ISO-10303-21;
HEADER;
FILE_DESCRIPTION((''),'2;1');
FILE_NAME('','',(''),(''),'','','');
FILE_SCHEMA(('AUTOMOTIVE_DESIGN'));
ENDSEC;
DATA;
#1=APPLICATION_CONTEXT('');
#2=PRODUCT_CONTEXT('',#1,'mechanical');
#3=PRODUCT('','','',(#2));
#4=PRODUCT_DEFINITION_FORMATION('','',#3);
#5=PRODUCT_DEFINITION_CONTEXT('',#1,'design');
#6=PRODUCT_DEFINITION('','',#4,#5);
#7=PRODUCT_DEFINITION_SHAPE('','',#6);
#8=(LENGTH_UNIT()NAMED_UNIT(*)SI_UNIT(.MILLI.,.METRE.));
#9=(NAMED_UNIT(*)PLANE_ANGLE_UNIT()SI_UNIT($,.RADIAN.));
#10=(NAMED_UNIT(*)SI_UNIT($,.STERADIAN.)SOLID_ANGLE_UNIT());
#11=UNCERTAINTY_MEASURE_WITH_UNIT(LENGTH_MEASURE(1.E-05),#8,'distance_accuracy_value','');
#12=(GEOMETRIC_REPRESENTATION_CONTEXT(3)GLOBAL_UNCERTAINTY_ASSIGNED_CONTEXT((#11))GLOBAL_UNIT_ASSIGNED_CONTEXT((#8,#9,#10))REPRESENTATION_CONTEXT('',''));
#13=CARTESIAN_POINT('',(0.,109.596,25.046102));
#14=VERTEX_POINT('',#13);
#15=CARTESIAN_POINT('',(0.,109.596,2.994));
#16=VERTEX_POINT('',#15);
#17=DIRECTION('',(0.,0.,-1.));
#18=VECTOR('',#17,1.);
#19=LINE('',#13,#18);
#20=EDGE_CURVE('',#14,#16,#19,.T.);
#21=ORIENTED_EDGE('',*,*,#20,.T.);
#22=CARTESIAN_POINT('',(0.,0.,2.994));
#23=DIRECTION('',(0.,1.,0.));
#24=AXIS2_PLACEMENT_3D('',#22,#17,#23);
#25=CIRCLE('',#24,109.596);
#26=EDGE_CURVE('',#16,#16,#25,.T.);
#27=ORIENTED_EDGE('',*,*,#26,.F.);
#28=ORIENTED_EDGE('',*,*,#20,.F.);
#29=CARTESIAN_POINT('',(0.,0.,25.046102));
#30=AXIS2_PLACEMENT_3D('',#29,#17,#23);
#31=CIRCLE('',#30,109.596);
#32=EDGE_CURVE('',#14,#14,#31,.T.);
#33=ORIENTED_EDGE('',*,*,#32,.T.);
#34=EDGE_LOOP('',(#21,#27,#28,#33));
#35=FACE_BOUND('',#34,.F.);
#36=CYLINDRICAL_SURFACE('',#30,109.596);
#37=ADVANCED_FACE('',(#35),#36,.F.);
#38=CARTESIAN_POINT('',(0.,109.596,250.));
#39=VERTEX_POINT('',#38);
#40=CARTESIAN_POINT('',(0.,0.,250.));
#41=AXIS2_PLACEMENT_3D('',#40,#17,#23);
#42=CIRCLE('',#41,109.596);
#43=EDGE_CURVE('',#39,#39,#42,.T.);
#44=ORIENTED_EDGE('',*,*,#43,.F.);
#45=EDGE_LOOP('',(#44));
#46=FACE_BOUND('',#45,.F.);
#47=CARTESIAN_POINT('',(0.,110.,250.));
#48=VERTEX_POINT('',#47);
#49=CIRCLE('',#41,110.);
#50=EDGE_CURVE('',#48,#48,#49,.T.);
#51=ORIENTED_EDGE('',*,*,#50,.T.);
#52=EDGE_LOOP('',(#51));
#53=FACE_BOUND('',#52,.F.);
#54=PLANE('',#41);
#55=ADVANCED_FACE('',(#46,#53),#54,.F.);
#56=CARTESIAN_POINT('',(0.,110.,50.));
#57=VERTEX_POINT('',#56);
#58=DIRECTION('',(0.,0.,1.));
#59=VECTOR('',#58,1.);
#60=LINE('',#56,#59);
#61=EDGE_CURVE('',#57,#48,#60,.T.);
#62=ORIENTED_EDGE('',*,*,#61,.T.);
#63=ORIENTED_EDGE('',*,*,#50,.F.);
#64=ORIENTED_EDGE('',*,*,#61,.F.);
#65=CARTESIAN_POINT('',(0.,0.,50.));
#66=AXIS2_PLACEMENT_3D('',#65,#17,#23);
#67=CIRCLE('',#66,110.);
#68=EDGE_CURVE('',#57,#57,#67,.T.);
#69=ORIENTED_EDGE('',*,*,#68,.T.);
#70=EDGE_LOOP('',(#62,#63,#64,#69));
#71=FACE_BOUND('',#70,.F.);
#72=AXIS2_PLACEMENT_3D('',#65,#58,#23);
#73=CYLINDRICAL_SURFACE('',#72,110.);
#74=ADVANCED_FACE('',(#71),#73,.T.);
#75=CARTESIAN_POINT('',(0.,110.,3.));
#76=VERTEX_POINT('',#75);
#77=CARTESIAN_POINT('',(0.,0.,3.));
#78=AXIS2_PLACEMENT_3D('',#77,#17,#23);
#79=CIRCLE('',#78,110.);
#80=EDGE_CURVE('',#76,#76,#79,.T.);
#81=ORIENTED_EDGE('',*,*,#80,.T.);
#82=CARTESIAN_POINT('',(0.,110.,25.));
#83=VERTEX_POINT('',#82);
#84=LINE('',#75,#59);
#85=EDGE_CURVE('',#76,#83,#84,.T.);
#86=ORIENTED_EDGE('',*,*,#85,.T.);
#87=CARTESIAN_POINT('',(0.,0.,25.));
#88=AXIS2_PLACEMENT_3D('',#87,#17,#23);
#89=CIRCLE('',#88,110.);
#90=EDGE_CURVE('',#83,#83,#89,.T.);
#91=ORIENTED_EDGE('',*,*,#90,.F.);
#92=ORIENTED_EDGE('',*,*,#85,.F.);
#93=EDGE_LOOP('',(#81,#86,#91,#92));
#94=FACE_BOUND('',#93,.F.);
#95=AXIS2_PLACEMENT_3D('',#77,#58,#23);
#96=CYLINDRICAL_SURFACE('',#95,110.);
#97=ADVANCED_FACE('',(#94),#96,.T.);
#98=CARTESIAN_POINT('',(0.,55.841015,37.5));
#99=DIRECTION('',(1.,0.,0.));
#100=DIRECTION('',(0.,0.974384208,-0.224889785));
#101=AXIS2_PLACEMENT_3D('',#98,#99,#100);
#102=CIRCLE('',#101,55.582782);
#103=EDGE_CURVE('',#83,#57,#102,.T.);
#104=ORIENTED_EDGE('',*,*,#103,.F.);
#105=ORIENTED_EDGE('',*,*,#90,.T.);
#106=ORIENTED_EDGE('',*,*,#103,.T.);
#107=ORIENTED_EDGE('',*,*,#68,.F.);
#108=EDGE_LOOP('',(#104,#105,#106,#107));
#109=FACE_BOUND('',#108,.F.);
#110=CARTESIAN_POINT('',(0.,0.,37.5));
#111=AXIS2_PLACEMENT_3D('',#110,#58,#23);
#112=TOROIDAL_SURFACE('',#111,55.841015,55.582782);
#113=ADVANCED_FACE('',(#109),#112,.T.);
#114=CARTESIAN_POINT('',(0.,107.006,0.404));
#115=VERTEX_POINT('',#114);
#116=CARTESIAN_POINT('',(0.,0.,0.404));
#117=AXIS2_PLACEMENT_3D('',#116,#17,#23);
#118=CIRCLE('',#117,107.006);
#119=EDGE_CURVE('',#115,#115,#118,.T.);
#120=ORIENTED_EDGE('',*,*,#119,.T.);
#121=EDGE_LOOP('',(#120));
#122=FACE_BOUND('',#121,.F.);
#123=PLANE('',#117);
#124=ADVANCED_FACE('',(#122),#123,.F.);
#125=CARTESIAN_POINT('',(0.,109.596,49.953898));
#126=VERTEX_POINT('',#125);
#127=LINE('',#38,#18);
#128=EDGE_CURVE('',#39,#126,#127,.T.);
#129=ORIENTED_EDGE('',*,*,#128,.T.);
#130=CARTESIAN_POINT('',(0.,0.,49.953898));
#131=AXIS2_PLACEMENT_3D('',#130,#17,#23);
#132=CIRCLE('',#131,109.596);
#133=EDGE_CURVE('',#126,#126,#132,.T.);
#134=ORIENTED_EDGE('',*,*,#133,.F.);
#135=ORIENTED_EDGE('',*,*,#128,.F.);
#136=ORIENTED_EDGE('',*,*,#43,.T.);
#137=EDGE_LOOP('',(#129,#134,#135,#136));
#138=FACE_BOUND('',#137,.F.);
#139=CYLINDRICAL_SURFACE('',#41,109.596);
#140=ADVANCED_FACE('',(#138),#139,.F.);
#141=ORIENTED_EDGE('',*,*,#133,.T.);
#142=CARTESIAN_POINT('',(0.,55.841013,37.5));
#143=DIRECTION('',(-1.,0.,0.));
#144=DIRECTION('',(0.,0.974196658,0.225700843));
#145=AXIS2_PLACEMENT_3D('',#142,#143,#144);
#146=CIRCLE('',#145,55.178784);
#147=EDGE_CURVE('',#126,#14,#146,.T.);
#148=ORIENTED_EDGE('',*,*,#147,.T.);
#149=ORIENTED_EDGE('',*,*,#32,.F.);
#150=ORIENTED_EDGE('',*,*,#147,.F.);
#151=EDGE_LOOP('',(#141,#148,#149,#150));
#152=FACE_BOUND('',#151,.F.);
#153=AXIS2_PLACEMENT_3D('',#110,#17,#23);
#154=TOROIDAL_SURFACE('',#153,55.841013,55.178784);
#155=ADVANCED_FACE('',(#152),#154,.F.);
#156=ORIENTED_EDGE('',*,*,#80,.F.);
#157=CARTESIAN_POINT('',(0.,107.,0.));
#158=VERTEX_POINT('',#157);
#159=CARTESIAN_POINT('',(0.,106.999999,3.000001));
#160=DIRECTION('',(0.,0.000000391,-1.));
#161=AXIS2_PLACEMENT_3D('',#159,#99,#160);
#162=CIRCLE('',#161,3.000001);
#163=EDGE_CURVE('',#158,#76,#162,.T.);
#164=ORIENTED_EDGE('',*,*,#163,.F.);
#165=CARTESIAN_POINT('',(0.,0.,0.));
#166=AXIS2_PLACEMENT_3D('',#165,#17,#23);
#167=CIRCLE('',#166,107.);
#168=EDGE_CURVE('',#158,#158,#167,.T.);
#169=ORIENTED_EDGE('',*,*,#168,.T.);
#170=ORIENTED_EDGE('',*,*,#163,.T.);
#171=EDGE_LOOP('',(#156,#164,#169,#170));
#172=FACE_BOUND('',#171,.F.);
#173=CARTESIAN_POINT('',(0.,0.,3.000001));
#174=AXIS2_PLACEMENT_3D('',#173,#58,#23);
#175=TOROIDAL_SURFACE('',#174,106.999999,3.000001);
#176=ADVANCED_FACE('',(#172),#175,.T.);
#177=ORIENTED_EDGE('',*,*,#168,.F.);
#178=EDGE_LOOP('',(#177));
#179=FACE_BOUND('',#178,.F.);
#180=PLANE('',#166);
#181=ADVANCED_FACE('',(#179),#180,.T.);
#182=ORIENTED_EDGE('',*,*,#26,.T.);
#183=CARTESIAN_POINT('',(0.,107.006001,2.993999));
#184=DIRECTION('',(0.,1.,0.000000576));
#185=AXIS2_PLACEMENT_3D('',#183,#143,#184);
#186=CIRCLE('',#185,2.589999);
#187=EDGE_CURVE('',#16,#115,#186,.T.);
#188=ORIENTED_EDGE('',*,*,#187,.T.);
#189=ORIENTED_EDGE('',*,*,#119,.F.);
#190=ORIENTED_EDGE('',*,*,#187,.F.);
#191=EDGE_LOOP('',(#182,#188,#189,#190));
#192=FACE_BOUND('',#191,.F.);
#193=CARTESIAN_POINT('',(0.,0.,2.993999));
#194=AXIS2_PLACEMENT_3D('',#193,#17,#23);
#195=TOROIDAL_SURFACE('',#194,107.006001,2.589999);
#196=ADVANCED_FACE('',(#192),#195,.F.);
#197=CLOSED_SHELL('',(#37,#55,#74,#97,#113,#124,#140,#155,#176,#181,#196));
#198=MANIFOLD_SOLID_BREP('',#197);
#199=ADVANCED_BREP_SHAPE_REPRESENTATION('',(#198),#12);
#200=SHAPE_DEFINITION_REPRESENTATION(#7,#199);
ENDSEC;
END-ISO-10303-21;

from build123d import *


with BuildPart() as f1:
    # F0 (on Right) → F1 (revolve)
    with BuildSketch(Plane.YZ):
        with BuildLine():
            Line((0, 0.404), (0, 0))
            Line((0, 0), (107, 0))
            ThreePointArc((107, 0), (109.12132, 0.87868), (110, 3))
            Line((110, 3), (110, 25))
            ThreePointArc((110, 25), (111.423797, 37.5), (110, 50))
            Line((110, 50), (110, 250))
            Line((110, 250), (109.596, 250))
            Line((109.596, 250), (109.596, 49.953898))
            ThreePointArc((109.596, 49.953898), (111.019797, 37.5), (109.596, 25.046102))
            Line((109.596, 25.046102), (109.596, 2.994))
            ThreePointArc((109.596, 2.994), (108.837407, 1.162593), (107.006, 0.404))
            Line((107.006, 0.404), (0, 0.404))
        make_face()
    revolve(axis=Axis((0, 0, 0.202), (0, 0, -1)))


solid = f1.part
